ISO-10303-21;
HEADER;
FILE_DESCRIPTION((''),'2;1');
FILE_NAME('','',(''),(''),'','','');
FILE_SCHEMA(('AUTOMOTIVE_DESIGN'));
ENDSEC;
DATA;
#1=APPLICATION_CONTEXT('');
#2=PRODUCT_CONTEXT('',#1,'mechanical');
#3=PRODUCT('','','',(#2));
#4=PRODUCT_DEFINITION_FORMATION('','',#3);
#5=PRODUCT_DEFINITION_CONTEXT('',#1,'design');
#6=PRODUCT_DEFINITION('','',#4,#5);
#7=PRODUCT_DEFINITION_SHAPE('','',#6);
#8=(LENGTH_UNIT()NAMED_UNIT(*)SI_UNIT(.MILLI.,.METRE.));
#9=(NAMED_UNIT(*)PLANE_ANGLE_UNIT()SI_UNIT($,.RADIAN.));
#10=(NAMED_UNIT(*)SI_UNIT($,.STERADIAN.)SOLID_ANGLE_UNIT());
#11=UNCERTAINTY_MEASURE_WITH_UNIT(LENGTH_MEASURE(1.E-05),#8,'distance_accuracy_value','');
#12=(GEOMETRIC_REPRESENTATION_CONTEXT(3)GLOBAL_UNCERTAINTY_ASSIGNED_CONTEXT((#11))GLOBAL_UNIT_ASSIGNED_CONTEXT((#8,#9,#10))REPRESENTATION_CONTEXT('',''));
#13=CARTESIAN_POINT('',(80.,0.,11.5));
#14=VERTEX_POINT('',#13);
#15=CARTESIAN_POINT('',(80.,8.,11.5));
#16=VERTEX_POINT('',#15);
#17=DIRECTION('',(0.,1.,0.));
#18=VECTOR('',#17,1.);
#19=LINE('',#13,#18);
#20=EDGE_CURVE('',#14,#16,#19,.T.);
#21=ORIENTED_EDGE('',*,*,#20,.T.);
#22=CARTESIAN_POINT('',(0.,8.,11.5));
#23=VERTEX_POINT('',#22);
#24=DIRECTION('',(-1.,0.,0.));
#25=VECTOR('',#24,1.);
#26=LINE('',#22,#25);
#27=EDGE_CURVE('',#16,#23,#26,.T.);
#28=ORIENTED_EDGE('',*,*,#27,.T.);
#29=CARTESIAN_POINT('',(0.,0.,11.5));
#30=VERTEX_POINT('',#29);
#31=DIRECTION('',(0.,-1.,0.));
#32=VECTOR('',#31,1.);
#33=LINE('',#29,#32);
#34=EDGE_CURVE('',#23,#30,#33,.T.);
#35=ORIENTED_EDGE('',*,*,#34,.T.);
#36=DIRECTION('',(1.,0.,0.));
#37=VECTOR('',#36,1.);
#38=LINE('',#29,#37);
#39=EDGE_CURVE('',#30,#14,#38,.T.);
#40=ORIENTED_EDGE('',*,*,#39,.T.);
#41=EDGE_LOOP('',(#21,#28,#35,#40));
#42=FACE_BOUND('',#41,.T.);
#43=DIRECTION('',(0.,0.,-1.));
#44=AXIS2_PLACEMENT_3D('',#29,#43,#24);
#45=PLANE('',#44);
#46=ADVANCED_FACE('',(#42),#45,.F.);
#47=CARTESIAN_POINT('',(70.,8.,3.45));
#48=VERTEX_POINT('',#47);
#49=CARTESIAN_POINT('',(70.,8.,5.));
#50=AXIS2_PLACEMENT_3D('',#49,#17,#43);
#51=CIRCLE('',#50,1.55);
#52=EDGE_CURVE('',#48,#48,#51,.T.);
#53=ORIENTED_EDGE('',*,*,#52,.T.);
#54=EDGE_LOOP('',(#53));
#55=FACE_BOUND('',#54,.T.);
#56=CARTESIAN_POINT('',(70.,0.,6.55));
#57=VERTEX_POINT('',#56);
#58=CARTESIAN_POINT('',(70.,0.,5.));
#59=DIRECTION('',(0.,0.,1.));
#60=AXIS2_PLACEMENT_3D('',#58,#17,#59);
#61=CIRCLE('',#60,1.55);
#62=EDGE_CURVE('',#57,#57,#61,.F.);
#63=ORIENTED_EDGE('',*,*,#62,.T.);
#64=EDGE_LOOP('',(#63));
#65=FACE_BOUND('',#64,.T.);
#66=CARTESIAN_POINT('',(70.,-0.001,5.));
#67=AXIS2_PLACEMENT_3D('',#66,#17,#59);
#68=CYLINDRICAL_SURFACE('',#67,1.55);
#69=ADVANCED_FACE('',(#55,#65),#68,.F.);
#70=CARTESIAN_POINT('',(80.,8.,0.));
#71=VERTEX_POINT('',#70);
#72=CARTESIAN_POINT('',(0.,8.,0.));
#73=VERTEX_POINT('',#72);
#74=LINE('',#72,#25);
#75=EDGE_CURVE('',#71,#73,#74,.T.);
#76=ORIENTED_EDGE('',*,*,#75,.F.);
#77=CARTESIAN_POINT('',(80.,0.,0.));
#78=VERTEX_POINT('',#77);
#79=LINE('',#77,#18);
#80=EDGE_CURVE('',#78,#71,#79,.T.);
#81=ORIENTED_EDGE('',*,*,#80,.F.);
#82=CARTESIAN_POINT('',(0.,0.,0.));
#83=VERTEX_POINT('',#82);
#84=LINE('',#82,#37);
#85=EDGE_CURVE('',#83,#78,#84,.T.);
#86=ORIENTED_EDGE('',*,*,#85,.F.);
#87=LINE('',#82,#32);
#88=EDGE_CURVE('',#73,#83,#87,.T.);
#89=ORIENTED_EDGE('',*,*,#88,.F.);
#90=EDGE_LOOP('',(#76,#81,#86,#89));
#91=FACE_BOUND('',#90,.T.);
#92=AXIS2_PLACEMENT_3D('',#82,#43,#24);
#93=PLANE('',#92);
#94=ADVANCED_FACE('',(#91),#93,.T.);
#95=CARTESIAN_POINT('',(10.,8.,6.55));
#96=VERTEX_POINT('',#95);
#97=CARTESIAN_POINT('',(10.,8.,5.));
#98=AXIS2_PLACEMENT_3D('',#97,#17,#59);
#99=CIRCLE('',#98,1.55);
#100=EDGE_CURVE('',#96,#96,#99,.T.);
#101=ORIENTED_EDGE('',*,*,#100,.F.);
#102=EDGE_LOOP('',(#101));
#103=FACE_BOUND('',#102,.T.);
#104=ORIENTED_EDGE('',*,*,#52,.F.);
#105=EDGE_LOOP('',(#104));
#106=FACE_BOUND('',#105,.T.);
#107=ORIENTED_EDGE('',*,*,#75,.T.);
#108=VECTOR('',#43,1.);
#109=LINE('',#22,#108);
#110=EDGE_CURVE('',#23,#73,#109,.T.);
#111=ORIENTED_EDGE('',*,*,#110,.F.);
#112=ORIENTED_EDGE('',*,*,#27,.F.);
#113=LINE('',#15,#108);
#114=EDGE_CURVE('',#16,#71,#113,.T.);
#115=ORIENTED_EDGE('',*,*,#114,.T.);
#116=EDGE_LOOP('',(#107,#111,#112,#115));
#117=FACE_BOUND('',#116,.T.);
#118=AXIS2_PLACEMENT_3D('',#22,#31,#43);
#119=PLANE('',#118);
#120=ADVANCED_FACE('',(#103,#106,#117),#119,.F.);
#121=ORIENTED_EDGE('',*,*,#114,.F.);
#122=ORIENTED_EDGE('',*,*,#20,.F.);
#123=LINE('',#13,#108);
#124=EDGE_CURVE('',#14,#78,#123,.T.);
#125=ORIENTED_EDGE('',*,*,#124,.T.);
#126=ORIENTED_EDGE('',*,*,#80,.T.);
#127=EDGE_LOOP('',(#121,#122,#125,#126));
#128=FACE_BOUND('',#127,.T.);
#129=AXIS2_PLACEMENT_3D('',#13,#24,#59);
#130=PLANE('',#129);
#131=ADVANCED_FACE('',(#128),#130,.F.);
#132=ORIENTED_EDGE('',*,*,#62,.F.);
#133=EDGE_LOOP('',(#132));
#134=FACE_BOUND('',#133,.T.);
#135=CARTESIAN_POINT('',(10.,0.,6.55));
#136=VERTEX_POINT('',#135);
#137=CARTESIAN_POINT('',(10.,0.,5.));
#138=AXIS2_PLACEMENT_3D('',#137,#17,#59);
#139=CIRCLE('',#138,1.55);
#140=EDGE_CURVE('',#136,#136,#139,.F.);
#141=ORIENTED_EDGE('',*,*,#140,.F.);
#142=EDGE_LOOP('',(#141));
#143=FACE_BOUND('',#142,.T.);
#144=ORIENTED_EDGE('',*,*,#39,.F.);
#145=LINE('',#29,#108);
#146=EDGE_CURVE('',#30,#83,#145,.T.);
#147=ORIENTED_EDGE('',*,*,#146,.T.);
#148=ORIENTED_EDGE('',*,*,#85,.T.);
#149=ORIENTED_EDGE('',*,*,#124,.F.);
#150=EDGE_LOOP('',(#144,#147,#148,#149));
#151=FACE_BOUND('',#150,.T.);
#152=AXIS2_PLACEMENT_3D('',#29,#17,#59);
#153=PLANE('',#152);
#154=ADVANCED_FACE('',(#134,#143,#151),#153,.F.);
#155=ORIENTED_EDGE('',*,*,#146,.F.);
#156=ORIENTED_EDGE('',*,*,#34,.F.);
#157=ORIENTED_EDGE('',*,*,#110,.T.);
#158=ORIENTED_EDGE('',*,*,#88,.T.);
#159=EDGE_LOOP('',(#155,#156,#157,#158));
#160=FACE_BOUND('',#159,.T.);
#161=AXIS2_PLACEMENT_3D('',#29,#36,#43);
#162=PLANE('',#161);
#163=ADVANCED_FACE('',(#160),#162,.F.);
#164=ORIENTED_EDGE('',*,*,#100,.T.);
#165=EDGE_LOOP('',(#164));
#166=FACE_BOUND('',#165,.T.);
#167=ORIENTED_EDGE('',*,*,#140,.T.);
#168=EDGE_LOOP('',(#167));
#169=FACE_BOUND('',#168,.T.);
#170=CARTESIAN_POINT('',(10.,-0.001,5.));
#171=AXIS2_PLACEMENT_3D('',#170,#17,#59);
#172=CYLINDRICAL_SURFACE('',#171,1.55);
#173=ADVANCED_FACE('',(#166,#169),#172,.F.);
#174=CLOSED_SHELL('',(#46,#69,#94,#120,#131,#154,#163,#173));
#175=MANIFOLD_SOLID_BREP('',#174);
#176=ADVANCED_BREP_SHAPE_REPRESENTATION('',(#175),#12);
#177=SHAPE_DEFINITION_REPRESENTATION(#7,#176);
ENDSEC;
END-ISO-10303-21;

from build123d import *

# Parameters (mm, degrees)
SKETCH_1_W          = 80
SKETCH_1_H          = 8
EXTRUDE_1_DEPTH     = 11.5
CUT_EXTRUDE_1_REACH = 83.217
SKETCH_2_R          = 1.55


with BuildPart() as part:
    # 草图1 → 凸台-拉伸1 (new body)
    with BuildSketch(Plane.XY):
        with Locations((40, 4)):
            Rectangle(SKETCH_1_W, SKETCH_1_H)
    extrude(amount=EXTRUDE_1_DEPTH)

    # 草图2 → 切除-拉伸1 (cut, up to next)
    with BuildSketch(Plane(origin=(0, 8, 0), x_dir=(1, 0, 0), z_dir=(0, 1, 0)), mode=Mode.PRIVATE) as cut_extrude_1_sk1:
        with Locations(Location((10, -5, 0), (0, 0, 270))):
            Circle(SKETCH_2_R)
    cut_extrude_1_tool1 = extrude(cut_extrude_1_sk1.sketch, amount=-CUT_EXTRUDE_1_REACH, mode=Mode.PRIVATE) & part.part
    # 草图2 → 切除-拉伸1 (cut, up to next)
    with BuildSketch(Plane(origin=(0, 8, 0), x_dir=(1, 0, 0), z_dir=(0, 1, 0)), mode=Mode.PRIVATE) as cut_extrude_1_sk2:
        with Locations(Location((70, -5, 0), (0, 0, 270))):
            Circle(SKETCH_2_R)
    cut_extrude_1_tool2 = extrude(cut_extrude_1_sk2.sketch, amount=-CUT_EXTRUDE_1_REACH, mode=Mode.PRIVATE) & part.part
    add(cut_extrude_1_tool1.solids().sort_by_distance((10, 8, 5))[0], mode=Mode.SUBTRACT)
    add(cut_extrude_1_tool2.solids().sort_by_distance((70, 8, 5))[0], mode=Mode.SUBTRACT)


solid = part.part
